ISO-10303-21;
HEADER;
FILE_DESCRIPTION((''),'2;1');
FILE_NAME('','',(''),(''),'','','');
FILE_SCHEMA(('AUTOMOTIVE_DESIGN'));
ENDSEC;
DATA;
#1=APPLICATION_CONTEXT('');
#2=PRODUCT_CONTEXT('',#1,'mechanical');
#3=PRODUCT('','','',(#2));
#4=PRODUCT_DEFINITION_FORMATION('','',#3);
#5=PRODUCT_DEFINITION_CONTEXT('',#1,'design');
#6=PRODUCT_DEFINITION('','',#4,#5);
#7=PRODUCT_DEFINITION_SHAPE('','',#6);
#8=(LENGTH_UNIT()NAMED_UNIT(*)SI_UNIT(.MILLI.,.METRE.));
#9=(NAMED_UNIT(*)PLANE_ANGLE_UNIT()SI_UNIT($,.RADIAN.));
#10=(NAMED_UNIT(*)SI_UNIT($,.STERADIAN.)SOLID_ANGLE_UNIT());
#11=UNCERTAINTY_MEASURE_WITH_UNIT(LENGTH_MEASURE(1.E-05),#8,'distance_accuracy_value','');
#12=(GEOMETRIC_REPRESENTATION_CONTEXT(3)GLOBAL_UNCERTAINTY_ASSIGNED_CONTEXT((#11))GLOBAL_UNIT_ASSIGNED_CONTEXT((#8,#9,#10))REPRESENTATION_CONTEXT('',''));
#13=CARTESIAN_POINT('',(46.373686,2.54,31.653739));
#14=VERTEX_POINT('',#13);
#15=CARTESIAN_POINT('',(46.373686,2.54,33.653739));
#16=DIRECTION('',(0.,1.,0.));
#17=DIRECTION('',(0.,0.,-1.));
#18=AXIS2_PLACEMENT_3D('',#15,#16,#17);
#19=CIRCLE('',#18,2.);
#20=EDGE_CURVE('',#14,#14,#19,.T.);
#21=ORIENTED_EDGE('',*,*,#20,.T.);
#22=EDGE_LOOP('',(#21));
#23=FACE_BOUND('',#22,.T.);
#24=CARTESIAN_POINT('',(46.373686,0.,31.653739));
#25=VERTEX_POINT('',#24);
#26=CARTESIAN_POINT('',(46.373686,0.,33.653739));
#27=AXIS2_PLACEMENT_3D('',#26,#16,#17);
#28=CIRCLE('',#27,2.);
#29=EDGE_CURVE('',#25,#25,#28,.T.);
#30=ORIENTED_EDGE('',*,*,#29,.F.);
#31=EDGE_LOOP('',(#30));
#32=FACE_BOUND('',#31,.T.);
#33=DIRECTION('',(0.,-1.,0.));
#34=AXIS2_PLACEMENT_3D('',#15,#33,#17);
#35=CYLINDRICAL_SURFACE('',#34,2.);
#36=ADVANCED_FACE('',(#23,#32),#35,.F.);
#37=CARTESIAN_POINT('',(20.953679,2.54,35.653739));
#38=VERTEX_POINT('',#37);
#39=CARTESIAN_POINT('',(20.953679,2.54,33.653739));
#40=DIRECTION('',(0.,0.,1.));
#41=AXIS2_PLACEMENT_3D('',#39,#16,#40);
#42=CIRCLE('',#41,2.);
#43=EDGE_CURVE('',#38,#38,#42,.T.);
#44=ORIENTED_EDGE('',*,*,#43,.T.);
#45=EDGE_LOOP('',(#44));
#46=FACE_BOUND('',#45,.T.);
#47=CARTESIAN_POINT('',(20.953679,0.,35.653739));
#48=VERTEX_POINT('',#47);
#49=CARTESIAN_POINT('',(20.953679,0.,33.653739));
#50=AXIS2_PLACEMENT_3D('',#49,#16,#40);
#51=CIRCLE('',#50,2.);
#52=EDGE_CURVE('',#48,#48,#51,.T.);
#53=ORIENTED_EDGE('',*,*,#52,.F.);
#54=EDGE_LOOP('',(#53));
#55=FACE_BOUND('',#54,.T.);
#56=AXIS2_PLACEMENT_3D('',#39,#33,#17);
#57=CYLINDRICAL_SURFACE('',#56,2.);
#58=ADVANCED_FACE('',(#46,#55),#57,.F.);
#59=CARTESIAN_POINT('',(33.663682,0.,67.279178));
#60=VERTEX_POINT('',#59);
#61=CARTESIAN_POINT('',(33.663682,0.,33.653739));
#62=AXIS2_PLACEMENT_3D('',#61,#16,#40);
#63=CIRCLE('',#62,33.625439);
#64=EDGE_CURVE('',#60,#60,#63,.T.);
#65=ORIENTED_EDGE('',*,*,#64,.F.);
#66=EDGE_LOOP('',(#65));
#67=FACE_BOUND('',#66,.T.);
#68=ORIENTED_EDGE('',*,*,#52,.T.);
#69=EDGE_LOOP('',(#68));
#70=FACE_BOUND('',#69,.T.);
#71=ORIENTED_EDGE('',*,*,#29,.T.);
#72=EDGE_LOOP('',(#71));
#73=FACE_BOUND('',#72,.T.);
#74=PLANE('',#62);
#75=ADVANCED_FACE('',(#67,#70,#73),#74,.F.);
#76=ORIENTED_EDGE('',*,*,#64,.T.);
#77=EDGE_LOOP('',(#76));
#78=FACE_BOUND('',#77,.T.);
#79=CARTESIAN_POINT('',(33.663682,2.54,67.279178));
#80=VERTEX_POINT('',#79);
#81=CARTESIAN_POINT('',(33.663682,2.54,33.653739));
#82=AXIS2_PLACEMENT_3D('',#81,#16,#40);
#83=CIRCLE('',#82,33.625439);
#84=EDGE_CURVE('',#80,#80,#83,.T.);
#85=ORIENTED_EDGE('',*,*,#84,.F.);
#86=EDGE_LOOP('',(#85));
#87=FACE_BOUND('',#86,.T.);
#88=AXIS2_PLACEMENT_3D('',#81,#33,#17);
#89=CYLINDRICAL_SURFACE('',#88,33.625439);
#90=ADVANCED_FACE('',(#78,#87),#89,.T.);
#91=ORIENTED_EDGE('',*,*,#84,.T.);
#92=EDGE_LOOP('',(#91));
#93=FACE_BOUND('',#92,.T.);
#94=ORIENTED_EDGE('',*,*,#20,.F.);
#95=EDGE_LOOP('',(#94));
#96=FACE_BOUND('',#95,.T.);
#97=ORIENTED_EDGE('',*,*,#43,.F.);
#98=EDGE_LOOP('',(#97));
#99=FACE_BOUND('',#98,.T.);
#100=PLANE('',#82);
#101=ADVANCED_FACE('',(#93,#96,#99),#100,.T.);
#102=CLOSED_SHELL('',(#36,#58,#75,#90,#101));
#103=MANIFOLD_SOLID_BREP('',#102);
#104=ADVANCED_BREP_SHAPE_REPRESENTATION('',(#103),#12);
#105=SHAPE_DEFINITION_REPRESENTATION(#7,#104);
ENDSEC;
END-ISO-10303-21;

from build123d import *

# Parameters (mm, degrees)
SKETCH1_R           = 33.625439164
SKETCH1_R_2         = 2
BOSS_EXTRUDE1_DEPTH = 2.54


with BuildPart() as part:
    # Sketch1 → Boss-Extrude1 (new body)
    with BuildSketch(Plane(origin=(0, 0, 0), x_dir=(1, 0, 0), z_dir=(0, 1, 0))):
        with Locations(Location((33.663682442, -33.653738577, 0), (0, 0, 270))):
            Circle(SKETCH1_R)
        with Locations(Location((20.953678893, -33.653738577, 0), (0, 0, 270))):
            Circle(SKETCH1_R_2, mode=Mode.SUBTRACT)
        with Locations(Location((46.373685991, -33.653738577, 0), (0, 0, 90))):
            Circle(SKETCH1_R_2, mode=Mode.SUBTRACT)
    extrude(amount=BOSS_EXTRUDE1_DEPTH)


solid = part.part
